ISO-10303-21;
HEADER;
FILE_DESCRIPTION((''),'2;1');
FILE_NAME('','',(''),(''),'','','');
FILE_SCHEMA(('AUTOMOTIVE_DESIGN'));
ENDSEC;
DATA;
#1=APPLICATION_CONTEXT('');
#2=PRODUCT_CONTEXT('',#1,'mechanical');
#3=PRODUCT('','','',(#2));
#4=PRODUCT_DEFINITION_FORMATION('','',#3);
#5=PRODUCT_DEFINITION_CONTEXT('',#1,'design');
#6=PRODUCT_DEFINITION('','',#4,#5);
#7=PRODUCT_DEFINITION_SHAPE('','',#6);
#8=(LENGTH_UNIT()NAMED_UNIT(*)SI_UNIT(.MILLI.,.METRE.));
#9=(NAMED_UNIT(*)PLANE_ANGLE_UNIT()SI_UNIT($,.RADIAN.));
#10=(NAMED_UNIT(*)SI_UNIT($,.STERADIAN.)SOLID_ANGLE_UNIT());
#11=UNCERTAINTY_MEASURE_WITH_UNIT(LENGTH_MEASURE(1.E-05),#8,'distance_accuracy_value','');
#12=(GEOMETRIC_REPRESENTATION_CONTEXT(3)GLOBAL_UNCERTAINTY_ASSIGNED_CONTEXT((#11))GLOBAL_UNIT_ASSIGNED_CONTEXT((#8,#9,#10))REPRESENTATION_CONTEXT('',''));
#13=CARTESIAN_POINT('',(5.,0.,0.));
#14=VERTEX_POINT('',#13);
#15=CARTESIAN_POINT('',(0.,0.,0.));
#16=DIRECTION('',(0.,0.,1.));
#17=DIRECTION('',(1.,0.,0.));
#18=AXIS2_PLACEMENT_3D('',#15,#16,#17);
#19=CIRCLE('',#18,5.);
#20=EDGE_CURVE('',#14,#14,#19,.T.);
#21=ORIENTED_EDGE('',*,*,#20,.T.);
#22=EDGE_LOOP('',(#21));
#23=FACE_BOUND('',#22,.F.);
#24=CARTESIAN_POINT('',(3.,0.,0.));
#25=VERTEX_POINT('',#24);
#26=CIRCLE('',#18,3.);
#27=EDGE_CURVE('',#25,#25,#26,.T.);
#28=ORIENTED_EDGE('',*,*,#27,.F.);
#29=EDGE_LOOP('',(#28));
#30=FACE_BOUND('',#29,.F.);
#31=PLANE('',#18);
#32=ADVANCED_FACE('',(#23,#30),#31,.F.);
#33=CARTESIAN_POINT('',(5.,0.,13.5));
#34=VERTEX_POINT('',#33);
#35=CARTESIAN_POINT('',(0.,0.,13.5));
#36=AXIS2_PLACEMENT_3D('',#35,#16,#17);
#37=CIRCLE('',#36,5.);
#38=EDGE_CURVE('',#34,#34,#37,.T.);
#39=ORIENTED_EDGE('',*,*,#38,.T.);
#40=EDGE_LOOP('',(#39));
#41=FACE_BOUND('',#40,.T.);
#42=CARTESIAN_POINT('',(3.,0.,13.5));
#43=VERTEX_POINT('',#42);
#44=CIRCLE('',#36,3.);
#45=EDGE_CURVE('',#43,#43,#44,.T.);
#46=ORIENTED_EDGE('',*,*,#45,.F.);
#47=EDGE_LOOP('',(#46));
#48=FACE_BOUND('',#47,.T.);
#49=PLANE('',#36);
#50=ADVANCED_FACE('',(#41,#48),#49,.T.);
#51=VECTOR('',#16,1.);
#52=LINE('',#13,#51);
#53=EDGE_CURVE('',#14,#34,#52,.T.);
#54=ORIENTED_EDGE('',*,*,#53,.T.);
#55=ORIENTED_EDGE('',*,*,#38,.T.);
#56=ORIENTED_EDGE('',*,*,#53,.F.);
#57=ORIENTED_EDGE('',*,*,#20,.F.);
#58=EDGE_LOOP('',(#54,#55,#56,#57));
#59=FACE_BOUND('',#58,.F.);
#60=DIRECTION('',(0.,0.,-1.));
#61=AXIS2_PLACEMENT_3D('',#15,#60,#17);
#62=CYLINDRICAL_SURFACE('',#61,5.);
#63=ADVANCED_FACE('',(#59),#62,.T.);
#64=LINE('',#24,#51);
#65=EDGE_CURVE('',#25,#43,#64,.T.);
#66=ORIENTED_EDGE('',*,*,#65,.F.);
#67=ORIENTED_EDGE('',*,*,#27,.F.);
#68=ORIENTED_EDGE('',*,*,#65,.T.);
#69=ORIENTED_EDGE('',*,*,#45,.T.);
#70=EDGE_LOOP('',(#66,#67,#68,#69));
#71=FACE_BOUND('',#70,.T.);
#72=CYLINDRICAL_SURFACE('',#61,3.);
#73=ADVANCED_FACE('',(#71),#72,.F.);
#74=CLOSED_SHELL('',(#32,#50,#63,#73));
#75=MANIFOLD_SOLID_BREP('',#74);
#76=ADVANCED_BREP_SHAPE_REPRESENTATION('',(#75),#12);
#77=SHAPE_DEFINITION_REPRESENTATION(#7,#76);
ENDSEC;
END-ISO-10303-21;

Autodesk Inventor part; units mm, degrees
ref_plane "YZ Plane" through (0, 0, 0) normal (1, 0, 0) x (0, 1, 0)
ref_plane "XZ Plane" through (0, 0, 0) normal (0, 1, 0) x (-1, 0, 0)
ref_plane "XY Plane" through (0, 0, 0) normal (0, 0, 1) x (1, 0, 0)
sketch "Szkic1" plane through (0, 0, 0) normal (0, 0, 1) x (1, 0, 0)
  circle A0 centre (0, 0) radius 3
  circle A1 centre (0, 0) radius 5
  dimension "d0" = 6
  dimension "d1" = 10
extrude "Wyciągnięcie proste1" add sketch "Szkic1" along normal blind 13.5
properties part number "tuleja_M6_M10_13,5"
